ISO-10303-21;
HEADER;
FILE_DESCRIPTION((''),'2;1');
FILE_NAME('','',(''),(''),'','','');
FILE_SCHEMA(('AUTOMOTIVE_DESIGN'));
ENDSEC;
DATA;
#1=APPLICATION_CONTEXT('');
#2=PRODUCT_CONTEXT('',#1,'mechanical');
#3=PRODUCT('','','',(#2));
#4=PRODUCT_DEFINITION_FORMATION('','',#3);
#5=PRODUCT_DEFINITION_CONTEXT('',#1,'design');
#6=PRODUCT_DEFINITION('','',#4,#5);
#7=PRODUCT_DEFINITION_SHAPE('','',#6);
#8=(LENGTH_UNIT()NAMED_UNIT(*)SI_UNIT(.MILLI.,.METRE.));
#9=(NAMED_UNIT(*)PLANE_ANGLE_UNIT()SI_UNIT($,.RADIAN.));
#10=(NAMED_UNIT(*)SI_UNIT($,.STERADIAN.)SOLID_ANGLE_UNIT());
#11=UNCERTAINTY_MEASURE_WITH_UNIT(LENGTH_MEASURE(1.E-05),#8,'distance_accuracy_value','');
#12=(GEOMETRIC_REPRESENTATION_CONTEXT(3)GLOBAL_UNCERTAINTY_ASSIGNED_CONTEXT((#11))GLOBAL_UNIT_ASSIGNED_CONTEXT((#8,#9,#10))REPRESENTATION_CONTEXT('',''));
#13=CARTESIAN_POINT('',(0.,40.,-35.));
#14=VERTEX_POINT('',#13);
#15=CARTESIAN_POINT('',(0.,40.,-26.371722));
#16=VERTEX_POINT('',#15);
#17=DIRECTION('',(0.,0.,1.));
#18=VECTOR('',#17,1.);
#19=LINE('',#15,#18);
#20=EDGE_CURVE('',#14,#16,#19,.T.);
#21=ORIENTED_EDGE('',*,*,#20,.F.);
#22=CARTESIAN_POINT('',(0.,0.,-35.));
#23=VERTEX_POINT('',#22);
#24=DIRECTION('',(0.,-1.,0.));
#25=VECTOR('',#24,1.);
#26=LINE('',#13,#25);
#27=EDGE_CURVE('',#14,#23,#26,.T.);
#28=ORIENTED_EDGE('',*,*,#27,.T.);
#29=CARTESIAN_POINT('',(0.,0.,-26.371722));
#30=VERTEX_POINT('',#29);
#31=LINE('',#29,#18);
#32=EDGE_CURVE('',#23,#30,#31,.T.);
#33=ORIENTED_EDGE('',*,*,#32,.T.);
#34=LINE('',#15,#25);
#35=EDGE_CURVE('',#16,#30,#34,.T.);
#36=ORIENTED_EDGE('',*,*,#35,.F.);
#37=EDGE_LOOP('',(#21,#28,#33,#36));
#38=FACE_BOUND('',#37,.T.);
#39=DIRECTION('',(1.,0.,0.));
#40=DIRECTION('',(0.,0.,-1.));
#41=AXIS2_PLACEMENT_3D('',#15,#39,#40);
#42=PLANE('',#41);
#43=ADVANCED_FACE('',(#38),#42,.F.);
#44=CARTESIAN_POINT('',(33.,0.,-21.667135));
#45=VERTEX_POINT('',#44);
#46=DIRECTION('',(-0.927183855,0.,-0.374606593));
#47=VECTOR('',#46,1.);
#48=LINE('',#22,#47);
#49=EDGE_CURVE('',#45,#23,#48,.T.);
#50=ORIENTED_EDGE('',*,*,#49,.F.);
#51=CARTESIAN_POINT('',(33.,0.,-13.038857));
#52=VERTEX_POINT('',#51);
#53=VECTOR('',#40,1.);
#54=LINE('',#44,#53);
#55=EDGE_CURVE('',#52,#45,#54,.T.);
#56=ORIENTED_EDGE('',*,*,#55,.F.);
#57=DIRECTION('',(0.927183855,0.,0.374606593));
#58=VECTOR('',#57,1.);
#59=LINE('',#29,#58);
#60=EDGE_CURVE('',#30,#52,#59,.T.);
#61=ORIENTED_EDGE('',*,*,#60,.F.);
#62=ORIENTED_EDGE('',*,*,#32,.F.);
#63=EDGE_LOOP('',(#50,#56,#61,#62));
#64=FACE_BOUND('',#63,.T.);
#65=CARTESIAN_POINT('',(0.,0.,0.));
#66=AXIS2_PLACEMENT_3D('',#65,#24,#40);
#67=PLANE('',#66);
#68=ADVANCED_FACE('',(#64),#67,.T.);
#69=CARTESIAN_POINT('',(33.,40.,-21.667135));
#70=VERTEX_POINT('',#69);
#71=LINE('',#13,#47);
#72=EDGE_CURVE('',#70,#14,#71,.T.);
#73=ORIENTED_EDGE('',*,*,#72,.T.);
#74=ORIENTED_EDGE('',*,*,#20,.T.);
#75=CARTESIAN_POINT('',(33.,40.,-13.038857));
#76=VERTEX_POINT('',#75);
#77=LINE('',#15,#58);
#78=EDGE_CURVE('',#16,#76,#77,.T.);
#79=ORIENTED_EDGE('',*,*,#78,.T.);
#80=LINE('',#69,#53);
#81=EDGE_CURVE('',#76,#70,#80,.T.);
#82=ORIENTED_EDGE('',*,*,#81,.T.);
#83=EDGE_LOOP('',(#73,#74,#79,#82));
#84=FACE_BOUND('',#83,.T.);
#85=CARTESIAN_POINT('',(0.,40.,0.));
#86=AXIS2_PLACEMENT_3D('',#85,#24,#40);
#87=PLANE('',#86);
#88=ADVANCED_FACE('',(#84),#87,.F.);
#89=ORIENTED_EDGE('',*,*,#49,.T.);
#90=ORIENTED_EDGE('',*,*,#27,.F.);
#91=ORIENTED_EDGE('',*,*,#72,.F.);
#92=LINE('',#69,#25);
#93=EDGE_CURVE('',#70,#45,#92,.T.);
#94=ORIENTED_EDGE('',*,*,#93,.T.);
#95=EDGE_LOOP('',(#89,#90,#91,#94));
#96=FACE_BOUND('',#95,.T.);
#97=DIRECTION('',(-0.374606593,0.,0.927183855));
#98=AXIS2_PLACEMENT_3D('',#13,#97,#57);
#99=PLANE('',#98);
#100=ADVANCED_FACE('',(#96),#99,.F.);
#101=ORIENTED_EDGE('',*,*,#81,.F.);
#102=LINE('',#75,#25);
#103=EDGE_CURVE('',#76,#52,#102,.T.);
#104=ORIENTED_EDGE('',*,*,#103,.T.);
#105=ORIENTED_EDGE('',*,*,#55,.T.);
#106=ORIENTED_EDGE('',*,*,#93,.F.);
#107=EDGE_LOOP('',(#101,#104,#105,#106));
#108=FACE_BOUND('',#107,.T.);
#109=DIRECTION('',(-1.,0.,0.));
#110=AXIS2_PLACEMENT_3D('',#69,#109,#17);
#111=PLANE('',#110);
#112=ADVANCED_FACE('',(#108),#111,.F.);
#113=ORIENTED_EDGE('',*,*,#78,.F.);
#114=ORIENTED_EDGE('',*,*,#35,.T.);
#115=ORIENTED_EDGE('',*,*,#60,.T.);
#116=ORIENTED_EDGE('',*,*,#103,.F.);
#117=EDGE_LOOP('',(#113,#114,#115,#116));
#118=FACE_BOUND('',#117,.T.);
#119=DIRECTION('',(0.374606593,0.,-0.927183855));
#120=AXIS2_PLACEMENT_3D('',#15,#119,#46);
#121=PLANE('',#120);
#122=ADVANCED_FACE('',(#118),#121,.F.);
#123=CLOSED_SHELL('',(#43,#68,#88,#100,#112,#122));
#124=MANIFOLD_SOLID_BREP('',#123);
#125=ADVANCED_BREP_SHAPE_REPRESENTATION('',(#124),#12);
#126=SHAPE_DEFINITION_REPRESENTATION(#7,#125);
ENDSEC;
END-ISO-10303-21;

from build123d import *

# Parameters (mm, degrees)
BOSS_EXTRUDE1_DEPTH = 40


with BuildPart() as part:
    # Sketch1 → Boss-Extrude1 (new body)
    with BuildSketch(Plane(origin=(0, 0, 0), x_dir=(1, 0, 0), z_dir=(0, 1, 0))):
        Polygon((0, 26.371722059), (0, 35), (33, 21.667134547), (33, 13.038856606), align=None)
    extrude(amount=BOSS_EXTRUDE1_DEPTH)


solid = part.part
